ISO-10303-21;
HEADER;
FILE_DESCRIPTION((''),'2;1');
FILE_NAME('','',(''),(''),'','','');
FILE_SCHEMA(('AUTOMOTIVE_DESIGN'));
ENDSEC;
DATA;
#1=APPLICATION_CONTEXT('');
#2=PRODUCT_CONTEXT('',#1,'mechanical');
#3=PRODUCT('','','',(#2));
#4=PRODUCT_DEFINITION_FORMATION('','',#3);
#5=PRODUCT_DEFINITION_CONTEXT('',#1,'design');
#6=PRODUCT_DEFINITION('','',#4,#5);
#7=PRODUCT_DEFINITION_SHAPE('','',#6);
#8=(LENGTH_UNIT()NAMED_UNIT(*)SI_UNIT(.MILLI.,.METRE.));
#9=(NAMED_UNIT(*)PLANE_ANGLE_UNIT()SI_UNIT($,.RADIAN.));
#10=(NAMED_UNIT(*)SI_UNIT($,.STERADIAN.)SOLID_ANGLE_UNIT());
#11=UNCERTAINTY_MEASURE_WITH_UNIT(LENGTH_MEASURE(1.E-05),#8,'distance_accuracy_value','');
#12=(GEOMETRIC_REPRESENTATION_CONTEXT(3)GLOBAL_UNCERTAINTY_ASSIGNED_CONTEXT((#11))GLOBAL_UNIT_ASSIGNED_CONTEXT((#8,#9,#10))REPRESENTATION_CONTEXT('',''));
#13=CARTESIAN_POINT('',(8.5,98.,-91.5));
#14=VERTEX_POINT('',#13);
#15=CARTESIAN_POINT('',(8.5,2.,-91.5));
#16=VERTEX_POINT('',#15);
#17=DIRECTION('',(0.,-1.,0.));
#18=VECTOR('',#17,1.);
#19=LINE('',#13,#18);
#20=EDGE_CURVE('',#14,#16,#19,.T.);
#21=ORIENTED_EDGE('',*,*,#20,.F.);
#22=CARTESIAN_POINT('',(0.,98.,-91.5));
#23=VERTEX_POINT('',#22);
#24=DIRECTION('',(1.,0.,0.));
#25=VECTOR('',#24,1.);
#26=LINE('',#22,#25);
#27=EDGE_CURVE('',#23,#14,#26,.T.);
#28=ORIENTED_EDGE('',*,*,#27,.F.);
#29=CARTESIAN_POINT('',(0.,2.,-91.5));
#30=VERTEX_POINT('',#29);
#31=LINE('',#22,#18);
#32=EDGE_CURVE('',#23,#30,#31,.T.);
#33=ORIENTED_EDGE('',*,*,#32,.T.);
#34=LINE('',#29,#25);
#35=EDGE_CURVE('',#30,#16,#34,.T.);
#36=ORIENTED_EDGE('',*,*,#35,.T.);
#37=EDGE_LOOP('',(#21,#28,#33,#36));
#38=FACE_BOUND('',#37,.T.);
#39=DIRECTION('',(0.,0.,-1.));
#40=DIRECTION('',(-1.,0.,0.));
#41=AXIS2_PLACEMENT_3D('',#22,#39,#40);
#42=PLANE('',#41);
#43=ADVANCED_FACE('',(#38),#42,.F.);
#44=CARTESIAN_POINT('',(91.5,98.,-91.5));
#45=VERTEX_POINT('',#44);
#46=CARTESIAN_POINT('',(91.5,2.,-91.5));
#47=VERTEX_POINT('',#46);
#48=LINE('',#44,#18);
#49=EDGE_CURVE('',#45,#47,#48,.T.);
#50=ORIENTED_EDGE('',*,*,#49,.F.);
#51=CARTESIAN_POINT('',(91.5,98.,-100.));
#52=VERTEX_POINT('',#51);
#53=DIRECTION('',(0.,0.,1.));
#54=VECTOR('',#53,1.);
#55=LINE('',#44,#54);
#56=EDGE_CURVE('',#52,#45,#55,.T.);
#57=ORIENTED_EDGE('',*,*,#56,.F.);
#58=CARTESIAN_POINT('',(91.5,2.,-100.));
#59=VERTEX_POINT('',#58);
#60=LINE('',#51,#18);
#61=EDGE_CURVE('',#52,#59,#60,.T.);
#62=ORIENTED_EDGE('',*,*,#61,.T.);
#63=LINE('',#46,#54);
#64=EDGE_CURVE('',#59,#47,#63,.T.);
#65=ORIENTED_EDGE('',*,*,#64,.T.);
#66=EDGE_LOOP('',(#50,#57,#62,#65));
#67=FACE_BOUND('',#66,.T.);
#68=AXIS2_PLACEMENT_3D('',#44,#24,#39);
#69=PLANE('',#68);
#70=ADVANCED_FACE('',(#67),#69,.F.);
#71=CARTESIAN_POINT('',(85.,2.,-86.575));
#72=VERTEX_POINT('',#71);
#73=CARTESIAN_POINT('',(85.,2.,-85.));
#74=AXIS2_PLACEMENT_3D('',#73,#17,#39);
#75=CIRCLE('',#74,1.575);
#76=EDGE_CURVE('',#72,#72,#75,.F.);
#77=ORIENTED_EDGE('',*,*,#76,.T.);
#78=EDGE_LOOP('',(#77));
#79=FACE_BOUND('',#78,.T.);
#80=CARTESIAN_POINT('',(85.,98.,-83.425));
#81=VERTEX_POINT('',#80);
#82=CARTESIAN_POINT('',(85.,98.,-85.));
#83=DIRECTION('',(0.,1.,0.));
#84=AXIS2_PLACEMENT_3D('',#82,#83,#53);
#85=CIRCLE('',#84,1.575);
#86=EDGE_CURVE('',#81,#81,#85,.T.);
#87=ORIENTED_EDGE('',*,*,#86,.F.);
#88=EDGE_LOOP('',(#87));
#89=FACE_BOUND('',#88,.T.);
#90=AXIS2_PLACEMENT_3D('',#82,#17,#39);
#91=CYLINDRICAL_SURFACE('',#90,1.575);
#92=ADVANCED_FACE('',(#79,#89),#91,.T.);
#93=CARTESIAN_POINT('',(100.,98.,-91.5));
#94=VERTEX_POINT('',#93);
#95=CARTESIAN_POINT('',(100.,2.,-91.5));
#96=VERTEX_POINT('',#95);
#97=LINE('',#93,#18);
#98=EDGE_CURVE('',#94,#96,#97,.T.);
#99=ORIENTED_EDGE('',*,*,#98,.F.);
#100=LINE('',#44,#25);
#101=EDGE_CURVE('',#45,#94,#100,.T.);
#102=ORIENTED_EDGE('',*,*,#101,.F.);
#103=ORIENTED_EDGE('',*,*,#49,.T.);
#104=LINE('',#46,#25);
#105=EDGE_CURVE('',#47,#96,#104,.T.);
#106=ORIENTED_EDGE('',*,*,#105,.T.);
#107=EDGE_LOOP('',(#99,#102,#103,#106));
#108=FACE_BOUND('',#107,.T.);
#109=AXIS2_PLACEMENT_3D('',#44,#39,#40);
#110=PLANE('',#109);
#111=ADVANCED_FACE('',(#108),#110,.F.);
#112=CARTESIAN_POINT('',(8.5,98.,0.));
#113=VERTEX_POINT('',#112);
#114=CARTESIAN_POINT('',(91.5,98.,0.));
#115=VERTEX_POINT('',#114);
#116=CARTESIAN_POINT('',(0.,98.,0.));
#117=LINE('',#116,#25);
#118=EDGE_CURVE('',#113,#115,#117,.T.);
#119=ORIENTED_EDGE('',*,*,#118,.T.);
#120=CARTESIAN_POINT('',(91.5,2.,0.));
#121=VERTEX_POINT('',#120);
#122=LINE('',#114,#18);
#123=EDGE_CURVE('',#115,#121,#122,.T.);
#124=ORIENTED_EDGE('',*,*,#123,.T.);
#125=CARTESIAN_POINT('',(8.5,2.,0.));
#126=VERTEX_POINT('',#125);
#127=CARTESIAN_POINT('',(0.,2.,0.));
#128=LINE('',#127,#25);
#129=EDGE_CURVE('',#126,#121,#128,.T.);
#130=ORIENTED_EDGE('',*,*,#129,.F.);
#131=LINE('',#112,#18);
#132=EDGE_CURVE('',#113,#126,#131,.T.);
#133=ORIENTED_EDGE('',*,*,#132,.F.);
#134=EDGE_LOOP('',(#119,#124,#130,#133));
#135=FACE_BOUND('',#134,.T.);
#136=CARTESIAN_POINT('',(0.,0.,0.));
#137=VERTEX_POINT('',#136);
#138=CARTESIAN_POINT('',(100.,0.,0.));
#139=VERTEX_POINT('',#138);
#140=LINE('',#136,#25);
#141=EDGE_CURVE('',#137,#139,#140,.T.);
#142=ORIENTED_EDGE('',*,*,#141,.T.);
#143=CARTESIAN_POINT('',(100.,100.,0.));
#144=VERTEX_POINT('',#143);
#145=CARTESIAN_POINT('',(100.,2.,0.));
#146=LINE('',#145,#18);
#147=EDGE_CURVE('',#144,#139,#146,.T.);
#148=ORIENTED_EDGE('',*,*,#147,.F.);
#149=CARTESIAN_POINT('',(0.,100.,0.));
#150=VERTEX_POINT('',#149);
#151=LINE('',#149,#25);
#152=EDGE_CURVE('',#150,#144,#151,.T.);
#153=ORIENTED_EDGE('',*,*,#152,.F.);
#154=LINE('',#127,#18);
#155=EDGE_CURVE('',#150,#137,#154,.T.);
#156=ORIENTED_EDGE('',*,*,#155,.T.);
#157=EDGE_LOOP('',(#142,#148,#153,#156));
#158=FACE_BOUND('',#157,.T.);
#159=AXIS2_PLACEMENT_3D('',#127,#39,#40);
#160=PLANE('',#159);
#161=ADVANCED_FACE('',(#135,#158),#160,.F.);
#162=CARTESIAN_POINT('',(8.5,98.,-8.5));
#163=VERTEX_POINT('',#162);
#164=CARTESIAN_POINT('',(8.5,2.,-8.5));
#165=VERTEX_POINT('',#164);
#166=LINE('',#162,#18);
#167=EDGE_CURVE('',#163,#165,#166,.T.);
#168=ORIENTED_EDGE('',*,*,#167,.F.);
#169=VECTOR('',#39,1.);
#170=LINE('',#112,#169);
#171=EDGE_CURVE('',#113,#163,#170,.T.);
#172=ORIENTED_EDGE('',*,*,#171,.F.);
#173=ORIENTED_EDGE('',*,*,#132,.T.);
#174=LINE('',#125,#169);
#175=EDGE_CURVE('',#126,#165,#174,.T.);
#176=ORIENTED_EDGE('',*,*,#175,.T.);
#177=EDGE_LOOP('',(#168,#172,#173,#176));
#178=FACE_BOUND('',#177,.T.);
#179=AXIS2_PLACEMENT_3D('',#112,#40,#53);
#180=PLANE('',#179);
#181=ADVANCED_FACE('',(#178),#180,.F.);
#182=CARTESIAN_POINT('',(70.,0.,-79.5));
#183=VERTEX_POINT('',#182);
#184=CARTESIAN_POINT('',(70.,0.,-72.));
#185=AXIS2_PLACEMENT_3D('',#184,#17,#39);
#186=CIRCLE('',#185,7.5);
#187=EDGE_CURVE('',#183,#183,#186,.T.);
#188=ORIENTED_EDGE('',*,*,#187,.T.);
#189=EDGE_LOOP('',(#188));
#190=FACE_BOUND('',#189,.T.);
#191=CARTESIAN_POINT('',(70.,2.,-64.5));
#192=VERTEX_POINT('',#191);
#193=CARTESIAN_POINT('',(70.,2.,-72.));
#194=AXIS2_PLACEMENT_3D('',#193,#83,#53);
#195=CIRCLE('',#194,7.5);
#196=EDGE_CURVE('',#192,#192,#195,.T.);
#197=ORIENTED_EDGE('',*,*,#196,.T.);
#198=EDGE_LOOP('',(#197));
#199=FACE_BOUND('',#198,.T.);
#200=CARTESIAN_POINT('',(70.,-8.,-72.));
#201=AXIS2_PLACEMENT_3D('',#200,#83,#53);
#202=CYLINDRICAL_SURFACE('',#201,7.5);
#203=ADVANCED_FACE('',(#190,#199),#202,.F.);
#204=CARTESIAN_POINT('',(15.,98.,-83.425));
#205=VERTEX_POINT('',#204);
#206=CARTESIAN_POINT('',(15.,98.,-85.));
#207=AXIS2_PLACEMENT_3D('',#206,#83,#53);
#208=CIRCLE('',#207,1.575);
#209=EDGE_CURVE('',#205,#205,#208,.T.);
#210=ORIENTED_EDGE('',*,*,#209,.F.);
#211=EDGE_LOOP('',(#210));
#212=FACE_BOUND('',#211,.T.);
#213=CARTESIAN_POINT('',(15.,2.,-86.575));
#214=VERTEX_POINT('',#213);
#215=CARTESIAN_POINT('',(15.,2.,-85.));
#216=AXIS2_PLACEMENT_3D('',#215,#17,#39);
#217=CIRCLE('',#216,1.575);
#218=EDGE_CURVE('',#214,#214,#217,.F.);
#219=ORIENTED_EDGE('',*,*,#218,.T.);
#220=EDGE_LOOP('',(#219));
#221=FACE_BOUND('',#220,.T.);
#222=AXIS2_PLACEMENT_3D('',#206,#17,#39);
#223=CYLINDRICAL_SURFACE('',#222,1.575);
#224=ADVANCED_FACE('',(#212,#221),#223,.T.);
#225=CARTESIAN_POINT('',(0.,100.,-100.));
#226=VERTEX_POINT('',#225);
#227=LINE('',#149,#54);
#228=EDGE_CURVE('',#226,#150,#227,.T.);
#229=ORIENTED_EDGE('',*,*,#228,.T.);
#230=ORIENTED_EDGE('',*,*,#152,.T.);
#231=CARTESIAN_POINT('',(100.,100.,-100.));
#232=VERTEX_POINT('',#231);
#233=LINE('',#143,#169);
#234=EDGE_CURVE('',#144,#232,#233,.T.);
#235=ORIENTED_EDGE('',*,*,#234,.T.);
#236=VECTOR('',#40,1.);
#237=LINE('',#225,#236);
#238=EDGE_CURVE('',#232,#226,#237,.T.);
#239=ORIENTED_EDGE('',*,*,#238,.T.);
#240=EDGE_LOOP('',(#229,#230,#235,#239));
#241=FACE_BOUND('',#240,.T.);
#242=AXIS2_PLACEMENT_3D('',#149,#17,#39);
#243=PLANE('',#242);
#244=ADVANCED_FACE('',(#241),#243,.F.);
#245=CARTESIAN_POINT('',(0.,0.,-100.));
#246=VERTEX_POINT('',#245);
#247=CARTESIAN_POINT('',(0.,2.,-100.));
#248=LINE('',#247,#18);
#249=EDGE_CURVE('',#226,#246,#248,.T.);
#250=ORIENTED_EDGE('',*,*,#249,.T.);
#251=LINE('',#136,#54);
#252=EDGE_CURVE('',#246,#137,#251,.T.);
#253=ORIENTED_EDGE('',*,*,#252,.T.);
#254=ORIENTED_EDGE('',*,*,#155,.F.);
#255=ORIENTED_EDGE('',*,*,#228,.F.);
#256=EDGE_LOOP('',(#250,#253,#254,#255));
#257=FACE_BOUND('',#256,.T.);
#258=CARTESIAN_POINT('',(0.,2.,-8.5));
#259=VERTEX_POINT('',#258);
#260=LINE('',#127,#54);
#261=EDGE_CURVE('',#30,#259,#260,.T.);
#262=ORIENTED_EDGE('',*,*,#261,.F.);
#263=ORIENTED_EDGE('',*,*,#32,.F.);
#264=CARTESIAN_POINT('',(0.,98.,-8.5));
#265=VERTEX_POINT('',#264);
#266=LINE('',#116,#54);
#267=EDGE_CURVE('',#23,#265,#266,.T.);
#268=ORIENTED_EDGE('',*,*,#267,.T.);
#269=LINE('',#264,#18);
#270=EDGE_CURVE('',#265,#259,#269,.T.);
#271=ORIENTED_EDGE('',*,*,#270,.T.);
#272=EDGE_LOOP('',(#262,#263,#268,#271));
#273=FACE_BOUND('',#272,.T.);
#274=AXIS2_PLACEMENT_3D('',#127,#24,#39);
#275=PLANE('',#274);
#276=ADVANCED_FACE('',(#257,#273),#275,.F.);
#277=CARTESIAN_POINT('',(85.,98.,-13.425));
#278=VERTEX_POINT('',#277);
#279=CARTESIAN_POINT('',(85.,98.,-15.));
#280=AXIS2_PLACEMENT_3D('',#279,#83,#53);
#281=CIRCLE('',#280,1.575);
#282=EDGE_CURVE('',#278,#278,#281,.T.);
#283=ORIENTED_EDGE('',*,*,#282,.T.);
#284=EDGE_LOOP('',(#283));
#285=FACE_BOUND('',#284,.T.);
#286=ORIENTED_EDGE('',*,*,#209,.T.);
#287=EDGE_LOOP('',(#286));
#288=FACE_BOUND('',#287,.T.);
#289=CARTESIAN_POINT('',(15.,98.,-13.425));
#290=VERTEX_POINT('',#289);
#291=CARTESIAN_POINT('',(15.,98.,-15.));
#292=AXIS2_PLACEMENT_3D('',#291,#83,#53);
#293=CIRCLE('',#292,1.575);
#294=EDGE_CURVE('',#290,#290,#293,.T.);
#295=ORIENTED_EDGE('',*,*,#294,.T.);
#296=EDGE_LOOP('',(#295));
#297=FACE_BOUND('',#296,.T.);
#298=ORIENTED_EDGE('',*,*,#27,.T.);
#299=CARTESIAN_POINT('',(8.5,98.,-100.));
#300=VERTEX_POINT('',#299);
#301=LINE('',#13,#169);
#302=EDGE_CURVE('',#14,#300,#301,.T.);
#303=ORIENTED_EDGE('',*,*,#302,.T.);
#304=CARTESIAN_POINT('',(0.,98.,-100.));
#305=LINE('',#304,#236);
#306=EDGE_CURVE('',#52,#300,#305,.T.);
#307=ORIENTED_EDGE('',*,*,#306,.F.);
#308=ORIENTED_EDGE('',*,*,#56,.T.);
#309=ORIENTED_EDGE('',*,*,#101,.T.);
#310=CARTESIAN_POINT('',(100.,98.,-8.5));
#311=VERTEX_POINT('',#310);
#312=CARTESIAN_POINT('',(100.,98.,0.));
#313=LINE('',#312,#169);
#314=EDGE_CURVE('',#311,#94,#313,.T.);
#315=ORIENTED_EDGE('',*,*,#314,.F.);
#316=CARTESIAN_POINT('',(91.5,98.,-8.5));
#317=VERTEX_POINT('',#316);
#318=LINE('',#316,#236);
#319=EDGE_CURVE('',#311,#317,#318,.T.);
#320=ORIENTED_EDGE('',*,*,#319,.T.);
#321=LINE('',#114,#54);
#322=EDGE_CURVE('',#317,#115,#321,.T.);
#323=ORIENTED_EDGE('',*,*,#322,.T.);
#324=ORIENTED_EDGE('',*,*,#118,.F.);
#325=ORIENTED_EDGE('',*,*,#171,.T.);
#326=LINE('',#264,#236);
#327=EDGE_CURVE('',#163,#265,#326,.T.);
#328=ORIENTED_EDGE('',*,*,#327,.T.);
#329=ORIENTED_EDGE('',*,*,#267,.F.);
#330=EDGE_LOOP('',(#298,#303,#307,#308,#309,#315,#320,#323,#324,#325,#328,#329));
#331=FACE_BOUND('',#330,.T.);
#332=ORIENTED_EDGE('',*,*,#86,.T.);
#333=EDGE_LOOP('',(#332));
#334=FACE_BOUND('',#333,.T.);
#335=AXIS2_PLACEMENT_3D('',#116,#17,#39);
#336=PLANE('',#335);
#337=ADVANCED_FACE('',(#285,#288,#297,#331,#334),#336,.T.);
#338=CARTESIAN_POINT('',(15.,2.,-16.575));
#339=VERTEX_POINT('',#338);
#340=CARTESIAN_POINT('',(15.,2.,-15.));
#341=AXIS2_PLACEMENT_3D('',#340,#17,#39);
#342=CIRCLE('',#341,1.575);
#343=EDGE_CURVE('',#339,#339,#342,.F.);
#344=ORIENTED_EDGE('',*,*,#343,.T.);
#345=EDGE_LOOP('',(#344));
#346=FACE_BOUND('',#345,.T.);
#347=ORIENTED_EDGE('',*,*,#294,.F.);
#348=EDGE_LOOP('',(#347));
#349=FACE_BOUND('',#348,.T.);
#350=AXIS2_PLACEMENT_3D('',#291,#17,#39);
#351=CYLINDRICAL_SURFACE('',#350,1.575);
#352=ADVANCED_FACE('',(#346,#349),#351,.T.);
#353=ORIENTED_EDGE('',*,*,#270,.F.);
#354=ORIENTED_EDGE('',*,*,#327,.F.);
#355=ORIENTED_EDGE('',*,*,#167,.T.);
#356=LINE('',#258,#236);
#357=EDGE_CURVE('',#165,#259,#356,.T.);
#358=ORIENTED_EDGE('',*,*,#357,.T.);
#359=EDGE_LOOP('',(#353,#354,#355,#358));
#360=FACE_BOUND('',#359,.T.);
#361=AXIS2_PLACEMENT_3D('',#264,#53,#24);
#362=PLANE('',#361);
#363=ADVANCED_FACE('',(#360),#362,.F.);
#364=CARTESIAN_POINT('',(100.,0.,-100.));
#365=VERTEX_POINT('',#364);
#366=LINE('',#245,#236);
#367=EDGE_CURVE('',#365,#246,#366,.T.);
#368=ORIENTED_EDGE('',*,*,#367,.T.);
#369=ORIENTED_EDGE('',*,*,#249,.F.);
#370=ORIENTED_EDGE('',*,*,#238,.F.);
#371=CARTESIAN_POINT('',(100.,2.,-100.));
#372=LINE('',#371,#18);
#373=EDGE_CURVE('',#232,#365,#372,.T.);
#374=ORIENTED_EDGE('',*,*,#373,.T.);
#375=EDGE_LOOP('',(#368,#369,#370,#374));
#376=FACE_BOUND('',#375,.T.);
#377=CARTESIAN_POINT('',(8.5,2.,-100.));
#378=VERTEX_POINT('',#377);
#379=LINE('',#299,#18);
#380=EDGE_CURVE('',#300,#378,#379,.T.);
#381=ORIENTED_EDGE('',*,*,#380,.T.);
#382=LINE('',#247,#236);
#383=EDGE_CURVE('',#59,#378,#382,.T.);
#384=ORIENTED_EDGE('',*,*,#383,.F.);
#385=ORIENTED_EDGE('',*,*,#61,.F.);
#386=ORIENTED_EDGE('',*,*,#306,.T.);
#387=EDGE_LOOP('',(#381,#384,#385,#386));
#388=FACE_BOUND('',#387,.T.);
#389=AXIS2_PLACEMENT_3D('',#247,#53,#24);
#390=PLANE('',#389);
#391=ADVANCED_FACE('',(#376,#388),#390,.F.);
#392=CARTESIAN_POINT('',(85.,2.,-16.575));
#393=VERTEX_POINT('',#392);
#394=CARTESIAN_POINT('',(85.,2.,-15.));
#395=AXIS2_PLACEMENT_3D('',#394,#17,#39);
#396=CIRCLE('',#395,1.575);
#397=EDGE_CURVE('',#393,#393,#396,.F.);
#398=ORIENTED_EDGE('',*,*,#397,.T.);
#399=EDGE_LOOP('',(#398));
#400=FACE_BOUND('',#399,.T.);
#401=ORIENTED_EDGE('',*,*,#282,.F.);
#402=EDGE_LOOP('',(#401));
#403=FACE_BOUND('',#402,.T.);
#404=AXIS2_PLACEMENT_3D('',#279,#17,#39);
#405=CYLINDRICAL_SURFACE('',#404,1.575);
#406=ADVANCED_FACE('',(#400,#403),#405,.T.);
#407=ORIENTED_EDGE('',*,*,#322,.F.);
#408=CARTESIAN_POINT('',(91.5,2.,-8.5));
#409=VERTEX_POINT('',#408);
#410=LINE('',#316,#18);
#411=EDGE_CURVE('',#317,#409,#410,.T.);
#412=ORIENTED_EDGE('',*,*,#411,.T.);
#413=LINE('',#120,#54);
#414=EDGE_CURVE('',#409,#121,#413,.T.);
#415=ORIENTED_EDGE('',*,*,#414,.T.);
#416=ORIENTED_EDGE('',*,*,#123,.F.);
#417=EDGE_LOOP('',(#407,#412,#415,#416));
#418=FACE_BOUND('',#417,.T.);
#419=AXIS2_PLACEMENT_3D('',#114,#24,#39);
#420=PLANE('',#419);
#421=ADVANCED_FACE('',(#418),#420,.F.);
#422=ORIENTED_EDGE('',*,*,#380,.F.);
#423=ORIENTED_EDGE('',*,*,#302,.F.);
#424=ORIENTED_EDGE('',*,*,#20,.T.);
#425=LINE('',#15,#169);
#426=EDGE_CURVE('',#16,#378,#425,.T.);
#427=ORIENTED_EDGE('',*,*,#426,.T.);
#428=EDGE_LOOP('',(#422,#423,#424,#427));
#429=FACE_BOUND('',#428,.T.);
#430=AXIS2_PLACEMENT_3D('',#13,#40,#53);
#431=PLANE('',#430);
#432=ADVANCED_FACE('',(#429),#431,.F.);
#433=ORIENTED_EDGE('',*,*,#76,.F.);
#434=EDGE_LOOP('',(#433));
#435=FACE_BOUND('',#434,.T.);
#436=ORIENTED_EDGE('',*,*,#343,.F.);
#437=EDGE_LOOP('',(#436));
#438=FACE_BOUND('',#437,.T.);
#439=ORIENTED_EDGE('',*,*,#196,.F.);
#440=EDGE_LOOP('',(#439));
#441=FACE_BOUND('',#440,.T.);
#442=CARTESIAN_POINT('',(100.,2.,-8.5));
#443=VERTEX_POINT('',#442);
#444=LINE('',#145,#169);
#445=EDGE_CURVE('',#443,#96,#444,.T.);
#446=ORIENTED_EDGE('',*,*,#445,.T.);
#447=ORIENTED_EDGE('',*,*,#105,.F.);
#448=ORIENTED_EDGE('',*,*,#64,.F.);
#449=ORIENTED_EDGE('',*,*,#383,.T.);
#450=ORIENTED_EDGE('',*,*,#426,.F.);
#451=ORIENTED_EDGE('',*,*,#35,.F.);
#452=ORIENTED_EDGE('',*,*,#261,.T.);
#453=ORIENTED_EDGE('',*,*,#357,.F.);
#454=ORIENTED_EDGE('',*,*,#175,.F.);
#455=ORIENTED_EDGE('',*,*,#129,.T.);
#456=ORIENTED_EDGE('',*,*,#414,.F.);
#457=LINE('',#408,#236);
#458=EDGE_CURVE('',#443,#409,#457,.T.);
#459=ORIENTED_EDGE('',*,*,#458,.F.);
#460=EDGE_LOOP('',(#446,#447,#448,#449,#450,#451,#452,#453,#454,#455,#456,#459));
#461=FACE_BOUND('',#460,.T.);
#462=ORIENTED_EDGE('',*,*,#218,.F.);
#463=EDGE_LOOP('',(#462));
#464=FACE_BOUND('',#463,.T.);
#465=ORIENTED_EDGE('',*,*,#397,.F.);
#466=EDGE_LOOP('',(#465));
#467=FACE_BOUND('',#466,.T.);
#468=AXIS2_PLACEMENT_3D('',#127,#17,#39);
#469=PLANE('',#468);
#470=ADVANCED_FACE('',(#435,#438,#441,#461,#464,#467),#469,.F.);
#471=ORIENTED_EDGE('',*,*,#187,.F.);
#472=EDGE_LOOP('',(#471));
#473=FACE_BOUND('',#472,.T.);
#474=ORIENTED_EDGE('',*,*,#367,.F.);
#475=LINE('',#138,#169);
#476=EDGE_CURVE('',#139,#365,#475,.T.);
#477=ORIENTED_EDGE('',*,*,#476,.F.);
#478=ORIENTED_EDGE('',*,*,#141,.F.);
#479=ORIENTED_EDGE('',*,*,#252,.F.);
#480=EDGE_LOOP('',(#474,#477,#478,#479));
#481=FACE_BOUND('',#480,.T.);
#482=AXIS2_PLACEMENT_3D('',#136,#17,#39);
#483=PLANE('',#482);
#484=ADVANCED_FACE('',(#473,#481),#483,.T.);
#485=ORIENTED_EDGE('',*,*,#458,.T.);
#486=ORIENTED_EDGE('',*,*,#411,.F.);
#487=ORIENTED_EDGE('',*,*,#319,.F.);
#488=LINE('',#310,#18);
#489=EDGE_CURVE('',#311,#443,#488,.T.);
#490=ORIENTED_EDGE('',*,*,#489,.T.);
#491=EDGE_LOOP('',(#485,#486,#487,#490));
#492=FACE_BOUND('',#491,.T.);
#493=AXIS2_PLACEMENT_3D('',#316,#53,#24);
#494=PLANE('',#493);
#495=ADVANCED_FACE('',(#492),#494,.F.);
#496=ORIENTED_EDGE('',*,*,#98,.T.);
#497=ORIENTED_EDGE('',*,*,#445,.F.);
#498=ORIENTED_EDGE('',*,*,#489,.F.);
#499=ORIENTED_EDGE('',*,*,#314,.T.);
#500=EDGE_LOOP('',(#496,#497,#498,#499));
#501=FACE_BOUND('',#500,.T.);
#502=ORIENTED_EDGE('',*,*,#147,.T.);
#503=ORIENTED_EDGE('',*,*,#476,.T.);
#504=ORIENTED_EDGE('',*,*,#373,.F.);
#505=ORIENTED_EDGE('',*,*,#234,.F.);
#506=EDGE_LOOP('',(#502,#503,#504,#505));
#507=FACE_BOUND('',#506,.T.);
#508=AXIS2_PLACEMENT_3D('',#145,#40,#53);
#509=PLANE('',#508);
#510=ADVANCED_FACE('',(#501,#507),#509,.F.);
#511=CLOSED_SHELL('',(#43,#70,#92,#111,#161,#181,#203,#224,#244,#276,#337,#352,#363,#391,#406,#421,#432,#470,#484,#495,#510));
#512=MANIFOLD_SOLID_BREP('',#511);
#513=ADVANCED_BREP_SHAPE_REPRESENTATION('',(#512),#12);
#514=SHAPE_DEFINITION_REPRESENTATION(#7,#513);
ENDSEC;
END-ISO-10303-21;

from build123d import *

# Parameters (mm, degrees)
SKETCH1_W            = 100
SKETCH1_H            = 100
BASE_DEPTH           = 2
SKETCH2_W            = 8.5
SKETCH2_H            = 8.5
BOSS_EXTRUDE2_DEPTH  = 96
LPATTERN1_COUNT      = 2
LPATTERN1_PITCH      = 91.5
LPATTERN1_COUNT_DIR2 = 2
LPATTERN1_PITCH_DIR2 = 91.5
LPATTERN2_COUNT      = 2
LPATTERN2_PITCH      = 98
SKETCH3_R            = 1.575
RODS_DEPTH           = 96
LPATTERN3_COUNT      = 2
LPATTERN3_PITCH      = 70
LPATTERN3_COUNT_DIR2 = 2
LPATTERN3_PITCH_DIR2 = 70
SKETCH5_R            = 7.5
CUT_EXTRUDE1_DEPTH   = 10


with BuildPart() as part:
    # Sketch1 → Base (new body)
    with BuildSketch(Plane(origin=(0, 0, 0), x_dir=(1, 0, 0), z_dir=(0, 1, 0))):
        with Locations((50, 50)):
            Rectangle(SKETCH1_W, SKETCH1_H)
    base = extrude(amount=BASE_DEPTH)

    # Sketch2 → Boss-Extrude2 (add)
    with BuildSketch(Plane(origin=(0, 2, 0), x_dir=(1, 0, 0), z_dir=(0, 1, 0))):
        with Locations((4.25, 4.25)):
            Rectangle(SKETCH2_W, SKETCH2_H)
    boss_extrude2 = extrude(amount=BOSS_EXTRUDE2_DEPTH)

    # LPattern1: Boss-Extrude2 2 × 2
    with Locations(*[(j * LPATTERN1_PITCH_DIR2, 0, -i * LPATTERN1_PITCH) for i in range(LPATTERN1_COUNT) for j in range(LPATTERN1_COUNT_DIR2) if (i, j) != (0, 0)]):
        add(boss_extrude2)

    # LPattern2: Base ×2
    with Locations(*[(0, i * LPATTERN2_PITCH, 0) for i in range(1, LPATTERN2_COUNT)]):
        add(base)

    # Sketch3 → Rods (add)
    with BuildSketch(Plane(origin=(0, 2, 0), x_dir=(1, 0, 0), z_dir=(0, 1, 0))):
        with Locations((15, 85)):
            Circle(SKETCH3_R)
    rods = extrude(amount=RODS_DEPTH)

    # LPattern3: Rods 2 × 2
    with Locations(*[(i * LPATTERN3_PITCH, 0, j * LPATTERN3_PITCH_DIR2) for i in range(LPATTERN3_COUNT) for j in range(LPATTERN3_COUNT_DIR2) if (i, j) != (0, 0)]):
        add(rods)

    # Sketch5 → Cut-Extrude1 (cut)
    with BuildSketch(Plane(origin=(0, 2, 0), x_dir=(1, 0, 0), z_dir=(0, 1, 0))):
        with Locations((70, 72)):
            Circle(SKETCH5_R)
    extrude(amount=-CUT_EXTRUDE1_DEPTH, mode=Mode.SUBTRACT)


solid = part.part
